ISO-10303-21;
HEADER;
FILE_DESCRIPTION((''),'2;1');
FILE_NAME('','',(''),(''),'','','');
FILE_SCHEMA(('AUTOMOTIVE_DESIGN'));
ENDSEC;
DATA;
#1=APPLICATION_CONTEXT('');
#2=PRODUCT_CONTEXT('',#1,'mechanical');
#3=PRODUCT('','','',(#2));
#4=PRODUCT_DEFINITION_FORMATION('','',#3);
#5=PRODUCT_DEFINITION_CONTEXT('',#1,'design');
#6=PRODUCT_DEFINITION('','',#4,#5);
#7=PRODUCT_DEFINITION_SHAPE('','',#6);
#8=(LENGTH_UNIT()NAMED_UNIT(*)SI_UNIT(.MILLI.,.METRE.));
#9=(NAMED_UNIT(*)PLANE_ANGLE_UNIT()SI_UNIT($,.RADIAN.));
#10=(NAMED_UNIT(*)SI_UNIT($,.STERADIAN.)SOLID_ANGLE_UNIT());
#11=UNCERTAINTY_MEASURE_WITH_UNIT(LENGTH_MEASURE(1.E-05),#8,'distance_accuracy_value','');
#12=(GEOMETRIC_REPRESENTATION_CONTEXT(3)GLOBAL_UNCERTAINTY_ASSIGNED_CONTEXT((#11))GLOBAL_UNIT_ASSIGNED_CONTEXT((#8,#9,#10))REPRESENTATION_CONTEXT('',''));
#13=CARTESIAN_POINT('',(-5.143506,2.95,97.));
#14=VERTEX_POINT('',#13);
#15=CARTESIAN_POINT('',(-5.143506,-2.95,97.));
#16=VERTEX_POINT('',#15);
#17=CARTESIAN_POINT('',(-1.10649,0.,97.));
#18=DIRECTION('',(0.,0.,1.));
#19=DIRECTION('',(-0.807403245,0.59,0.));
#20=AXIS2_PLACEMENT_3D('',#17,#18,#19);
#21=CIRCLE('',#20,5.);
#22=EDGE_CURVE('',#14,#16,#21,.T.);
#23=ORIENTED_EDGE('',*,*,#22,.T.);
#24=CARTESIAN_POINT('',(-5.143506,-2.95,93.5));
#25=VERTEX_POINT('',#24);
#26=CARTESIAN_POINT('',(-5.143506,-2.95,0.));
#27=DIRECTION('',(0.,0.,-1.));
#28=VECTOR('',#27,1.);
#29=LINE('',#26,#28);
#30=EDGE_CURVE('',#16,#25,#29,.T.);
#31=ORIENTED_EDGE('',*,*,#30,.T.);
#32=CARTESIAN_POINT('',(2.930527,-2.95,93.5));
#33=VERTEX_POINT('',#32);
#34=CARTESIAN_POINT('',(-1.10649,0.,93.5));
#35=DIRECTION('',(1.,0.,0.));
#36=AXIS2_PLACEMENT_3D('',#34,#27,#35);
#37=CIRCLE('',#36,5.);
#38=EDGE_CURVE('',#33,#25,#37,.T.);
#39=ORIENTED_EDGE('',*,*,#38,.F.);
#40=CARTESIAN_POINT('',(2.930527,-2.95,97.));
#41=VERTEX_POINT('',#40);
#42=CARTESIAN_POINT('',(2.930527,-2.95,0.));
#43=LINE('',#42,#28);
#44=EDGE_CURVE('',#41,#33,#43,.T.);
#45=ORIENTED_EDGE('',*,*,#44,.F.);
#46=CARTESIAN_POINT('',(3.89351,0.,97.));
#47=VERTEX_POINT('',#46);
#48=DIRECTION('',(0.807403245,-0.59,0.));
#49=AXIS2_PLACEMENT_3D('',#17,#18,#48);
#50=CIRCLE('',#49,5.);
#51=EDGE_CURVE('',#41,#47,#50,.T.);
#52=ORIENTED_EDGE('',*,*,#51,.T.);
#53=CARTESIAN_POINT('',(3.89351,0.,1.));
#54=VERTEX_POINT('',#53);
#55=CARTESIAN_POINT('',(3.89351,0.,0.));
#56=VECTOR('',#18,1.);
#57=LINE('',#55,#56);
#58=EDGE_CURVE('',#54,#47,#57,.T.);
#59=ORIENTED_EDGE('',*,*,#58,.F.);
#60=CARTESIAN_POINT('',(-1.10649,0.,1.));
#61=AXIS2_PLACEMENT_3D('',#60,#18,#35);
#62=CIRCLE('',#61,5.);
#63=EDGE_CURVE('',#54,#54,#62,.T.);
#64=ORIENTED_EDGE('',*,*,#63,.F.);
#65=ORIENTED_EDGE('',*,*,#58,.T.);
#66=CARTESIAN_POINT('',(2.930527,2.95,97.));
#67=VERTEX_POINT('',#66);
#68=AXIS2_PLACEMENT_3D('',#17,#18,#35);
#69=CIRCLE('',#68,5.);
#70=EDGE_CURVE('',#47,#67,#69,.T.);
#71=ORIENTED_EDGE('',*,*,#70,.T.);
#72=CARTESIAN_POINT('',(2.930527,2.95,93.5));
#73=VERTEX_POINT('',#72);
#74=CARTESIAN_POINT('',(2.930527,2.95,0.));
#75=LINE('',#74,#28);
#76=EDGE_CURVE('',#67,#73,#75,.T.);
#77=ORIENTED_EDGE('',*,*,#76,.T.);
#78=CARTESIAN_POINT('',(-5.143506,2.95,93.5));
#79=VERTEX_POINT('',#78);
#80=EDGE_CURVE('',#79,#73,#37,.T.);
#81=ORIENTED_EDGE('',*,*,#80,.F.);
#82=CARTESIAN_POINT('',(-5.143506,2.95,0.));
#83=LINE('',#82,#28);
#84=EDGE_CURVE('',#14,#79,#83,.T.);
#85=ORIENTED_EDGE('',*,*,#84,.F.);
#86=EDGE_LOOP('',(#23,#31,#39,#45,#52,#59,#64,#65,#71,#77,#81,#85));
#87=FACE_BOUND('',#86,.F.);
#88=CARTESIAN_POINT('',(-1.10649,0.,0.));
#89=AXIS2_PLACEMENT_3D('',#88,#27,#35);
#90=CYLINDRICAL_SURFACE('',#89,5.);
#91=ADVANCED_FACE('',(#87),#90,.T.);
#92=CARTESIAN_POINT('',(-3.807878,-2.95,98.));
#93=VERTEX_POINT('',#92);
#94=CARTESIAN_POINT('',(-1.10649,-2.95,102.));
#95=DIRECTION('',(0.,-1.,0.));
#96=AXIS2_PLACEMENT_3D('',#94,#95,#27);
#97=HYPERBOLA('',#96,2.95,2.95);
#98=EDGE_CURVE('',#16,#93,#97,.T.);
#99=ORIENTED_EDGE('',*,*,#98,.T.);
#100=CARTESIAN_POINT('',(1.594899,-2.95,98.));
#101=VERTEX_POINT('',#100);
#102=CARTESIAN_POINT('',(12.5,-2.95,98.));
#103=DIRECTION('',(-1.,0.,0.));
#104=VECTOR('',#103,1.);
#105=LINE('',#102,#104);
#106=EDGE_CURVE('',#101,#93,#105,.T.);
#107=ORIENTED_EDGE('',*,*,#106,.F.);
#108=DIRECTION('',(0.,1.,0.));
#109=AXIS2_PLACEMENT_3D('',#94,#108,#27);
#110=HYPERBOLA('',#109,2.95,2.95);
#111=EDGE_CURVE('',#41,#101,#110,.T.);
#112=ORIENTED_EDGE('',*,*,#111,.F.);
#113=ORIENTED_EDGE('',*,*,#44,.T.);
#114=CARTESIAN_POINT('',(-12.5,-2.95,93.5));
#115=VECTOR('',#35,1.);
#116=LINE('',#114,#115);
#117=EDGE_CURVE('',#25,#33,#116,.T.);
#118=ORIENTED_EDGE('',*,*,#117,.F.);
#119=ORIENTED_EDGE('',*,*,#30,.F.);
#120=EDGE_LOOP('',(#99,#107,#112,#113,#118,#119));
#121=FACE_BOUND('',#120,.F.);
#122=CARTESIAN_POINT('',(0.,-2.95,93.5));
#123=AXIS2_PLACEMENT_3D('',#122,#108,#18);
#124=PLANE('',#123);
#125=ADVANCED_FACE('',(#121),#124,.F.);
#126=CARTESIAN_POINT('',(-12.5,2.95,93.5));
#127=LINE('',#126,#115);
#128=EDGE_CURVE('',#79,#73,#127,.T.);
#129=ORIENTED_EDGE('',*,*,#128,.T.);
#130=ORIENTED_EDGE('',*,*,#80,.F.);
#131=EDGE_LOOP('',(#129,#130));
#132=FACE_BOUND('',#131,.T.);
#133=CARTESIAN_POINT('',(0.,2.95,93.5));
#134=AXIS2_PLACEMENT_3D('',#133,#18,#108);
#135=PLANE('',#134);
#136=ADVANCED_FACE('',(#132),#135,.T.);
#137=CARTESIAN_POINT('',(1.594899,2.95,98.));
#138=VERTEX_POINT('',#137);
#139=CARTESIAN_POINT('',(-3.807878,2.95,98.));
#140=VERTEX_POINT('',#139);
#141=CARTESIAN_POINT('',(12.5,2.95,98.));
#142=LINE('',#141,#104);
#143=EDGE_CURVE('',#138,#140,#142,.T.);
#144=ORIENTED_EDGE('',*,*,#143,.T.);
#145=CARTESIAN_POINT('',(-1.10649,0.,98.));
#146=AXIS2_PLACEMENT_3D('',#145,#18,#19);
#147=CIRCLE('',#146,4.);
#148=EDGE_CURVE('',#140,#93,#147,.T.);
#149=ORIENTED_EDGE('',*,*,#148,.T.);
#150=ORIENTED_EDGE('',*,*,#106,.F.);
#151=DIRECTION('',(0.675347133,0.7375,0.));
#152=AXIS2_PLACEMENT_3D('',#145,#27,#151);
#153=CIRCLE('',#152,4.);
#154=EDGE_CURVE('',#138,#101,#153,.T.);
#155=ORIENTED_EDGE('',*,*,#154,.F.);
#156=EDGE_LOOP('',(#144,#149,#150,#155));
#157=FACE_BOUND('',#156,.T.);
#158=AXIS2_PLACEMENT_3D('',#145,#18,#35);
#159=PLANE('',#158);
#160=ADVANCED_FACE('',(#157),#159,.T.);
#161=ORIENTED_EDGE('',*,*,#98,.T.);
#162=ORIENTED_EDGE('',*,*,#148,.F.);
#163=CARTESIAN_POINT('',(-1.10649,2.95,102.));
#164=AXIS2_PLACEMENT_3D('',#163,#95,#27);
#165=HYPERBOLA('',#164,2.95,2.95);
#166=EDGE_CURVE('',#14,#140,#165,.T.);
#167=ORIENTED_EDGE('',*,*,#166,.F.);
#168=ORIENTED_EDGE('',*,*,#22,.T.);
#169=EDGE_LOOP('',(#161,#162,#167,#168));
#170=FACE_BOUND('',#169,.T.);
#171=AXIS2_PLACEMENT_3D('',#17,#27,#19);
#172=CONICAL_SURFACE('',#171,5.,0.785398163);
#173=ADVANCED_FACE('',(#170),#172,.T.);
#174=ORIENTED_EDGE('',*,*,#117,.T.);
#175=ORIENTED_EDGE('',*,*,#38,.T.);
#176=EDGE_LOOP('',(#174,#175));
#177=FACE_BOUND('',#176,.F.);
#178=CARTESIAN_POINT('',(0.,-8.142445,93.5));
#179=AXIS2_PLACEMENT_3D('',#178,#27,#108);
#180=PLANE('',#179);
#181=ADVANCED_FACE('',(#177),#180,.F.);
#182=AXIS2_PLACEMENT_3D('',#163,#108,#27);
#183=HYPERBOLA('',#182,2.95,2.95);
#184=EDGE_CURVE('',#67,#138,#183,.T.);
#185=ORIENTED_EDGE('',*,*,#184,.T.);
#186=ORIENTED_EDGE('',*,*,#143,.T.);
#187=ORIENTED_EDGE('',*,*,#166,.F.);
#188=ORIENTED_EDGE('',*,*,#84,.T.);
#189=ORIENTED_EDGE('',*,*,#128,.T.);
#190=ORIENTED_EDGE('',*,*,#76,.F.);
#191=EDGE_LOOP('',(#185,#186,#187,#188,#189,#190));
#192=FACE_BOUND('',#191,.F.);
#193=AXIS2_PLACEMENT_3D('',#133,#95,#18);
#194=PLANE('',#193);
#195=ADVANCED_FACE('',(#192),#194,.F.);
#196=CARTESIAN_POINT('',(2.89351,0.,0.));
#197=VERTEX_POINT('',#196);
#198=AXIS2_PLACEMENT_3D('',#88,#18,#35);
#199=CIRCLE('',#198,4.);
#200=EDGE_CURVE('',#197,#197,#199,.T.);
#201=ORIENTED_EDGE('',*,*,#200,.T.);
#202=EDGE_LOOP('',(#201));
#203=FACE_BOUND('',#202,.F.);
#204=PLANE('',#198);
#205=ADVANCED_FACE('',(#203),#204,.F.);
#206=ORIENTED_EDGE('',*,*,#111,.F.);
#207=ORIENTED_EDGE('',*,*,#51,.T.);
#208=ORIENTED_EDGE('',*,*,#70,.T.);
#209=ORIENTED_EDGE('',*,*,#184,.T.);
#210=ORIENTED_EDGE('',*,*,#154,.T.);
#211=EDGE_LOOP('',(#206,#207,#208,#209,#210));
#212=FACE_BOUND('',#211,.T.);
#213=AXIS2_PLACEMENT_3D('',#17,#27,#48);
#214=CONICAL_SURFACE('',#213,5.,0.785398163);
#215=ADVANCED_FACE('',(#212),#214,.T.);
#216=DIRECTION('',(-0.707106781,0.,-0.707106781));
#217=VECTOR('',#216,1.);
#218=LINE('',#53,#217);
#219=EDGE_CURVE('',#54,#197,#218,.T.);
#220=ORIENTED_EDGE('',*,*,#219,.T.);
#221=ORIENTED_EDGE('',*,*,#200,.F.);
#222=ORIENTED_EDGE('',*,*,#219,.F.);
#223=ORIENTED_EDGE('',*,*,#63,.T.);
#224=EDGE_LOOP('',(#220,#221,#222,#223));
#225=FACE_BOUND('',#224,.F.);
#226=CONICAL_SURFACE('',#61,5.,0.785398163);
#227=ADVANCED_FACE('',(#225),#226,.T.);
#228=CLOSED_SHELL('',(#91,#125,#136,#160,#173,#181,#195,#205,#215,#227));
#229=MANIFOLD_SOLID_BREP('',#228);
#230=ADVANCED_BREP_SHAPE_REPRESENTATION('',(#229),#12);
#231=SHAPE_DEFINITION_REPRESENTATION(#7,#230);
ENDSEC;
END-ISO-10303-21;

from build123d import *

# Parameters (mm, degrees)
F0_R     = 5
F1_DEPTH = 98
F2_W     = 4.8668145407
F2_H     = 4.5
F2_W_2   = 5.1924452364
F3_DEPTH = 12.5
F4_SIZE  = 1
F5_SIZE  = 1


with BuildPart() as f1:
    # F0 (on Top) → F1 (new body)
    with BuildSketch(Plane.XY):
        with Locations((-1.1064895812, 0)):
            Circle(F0_R)
    extrude(amount=F1_DEPTH)

    # F2 (on Right) → F3 (cut, symmetric)
    with BuildSketch(Plane.YZ):
        with Locations((5.3834072703, 95.75)):
            Rectangle(F2_W, F2_H)
        with Locations((-5.5462226182, 95.75)):
            Rectangle(F2_W_2, F2_H)
    extrude(amount=F3_DEPTH, both=True, mode=Mode.SUBTRACT)

    # F4
    f4_edges = [f1.edges().sort_by_distance(p)[0] for p in [
        (3.646672, -1.551599, 98),
        (-6.10649, 0, 98),
        (3.646672, 1.551599, 98),
    ]]
    chamfer(f4_edges, length=F4_SIZE)

    # F5
    f5_edges = [f1.edges().sort_by_distance(p)[0] for p in [
        (-6.10649, 0, 0),
    ]]
    chamfer(f5_edges, length=F5_SIZE)


solid = f1.part
